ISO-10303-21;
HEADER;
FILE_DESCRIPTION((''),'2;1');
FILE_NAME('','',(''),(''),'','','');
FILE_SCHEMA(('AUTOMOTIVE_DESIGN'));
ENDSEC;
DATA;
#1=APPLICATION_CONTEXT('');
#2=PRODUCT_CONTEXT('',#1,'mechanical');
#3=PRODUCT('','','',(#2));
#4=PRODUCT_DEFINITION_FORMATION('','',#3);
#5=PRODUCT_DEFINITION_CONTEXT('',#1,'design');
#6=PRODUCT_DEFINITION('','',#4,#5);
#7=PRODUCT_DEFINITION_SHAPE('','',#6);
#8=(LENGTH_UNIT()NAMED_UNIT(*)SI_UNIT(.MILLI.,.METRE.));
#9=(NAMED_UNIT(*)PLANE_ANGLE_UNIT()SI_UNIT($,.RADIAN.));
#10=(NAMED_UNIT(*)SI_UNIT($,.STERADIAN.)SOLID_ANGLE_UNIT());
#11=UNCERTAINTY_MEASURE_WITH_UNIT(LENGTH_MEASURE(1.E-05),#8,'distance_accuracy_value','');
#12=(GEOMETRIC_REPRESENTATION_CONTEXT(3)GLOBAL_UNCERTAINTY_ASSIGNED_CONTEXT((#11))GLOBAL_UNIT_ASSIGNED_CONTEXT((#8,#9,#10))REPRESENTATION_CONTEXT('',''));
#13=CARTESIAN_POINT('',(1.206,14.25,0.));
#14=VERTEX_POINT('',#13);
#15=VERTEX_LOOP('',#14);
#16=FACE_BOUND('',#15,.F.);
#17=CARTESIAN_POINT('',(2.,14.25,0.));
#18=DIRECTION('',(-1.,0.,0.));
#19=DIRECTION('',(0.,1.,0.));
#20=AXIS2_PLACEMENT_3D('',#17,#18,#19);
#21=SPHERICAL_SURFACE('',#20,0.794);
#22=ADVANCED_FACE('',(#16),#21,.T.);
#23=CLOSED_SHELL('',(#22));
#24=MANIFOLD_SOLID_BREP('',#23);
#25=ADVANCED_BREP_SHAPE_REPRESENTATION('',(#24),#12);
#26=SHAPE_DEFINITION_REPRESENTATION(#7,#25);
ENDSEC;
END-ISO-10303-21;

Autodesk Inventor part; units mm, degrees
ref_plane "YZ Plane" through (0, 0, 0) normal (1, 0, 0) x (0, 1, 0)
ref_plane "XZ Plane" through (0, 0, 0) normal (0, 1, 0) x (-1, 0, 0)
ref_plane "XY Plane" through (0, 0, 0) normal (0, 0, 1) x (1, 0, 0)
sketch "Sketch_6" plane through (0, 0, 0) normal (0, 0, 1) x (1, 0, 0)
  line L0 (2.794, 14.25) -> (1.206, 14.25)
  arc A0 (2.794, 14.25) -> (1.206, 14.25) centre (2, 14.25) ccw
  line L1 (2.794, 14.25) -> (1.206, 14.25)
  dimension "d0" = 360
revolve "Revolution1" add sketch "Sketch_6" angle 360 about axis through (2.794, 14.25, 0) along (1, 0, 0)
properties part number "SKF_W 61705-2RS1_PART3"
